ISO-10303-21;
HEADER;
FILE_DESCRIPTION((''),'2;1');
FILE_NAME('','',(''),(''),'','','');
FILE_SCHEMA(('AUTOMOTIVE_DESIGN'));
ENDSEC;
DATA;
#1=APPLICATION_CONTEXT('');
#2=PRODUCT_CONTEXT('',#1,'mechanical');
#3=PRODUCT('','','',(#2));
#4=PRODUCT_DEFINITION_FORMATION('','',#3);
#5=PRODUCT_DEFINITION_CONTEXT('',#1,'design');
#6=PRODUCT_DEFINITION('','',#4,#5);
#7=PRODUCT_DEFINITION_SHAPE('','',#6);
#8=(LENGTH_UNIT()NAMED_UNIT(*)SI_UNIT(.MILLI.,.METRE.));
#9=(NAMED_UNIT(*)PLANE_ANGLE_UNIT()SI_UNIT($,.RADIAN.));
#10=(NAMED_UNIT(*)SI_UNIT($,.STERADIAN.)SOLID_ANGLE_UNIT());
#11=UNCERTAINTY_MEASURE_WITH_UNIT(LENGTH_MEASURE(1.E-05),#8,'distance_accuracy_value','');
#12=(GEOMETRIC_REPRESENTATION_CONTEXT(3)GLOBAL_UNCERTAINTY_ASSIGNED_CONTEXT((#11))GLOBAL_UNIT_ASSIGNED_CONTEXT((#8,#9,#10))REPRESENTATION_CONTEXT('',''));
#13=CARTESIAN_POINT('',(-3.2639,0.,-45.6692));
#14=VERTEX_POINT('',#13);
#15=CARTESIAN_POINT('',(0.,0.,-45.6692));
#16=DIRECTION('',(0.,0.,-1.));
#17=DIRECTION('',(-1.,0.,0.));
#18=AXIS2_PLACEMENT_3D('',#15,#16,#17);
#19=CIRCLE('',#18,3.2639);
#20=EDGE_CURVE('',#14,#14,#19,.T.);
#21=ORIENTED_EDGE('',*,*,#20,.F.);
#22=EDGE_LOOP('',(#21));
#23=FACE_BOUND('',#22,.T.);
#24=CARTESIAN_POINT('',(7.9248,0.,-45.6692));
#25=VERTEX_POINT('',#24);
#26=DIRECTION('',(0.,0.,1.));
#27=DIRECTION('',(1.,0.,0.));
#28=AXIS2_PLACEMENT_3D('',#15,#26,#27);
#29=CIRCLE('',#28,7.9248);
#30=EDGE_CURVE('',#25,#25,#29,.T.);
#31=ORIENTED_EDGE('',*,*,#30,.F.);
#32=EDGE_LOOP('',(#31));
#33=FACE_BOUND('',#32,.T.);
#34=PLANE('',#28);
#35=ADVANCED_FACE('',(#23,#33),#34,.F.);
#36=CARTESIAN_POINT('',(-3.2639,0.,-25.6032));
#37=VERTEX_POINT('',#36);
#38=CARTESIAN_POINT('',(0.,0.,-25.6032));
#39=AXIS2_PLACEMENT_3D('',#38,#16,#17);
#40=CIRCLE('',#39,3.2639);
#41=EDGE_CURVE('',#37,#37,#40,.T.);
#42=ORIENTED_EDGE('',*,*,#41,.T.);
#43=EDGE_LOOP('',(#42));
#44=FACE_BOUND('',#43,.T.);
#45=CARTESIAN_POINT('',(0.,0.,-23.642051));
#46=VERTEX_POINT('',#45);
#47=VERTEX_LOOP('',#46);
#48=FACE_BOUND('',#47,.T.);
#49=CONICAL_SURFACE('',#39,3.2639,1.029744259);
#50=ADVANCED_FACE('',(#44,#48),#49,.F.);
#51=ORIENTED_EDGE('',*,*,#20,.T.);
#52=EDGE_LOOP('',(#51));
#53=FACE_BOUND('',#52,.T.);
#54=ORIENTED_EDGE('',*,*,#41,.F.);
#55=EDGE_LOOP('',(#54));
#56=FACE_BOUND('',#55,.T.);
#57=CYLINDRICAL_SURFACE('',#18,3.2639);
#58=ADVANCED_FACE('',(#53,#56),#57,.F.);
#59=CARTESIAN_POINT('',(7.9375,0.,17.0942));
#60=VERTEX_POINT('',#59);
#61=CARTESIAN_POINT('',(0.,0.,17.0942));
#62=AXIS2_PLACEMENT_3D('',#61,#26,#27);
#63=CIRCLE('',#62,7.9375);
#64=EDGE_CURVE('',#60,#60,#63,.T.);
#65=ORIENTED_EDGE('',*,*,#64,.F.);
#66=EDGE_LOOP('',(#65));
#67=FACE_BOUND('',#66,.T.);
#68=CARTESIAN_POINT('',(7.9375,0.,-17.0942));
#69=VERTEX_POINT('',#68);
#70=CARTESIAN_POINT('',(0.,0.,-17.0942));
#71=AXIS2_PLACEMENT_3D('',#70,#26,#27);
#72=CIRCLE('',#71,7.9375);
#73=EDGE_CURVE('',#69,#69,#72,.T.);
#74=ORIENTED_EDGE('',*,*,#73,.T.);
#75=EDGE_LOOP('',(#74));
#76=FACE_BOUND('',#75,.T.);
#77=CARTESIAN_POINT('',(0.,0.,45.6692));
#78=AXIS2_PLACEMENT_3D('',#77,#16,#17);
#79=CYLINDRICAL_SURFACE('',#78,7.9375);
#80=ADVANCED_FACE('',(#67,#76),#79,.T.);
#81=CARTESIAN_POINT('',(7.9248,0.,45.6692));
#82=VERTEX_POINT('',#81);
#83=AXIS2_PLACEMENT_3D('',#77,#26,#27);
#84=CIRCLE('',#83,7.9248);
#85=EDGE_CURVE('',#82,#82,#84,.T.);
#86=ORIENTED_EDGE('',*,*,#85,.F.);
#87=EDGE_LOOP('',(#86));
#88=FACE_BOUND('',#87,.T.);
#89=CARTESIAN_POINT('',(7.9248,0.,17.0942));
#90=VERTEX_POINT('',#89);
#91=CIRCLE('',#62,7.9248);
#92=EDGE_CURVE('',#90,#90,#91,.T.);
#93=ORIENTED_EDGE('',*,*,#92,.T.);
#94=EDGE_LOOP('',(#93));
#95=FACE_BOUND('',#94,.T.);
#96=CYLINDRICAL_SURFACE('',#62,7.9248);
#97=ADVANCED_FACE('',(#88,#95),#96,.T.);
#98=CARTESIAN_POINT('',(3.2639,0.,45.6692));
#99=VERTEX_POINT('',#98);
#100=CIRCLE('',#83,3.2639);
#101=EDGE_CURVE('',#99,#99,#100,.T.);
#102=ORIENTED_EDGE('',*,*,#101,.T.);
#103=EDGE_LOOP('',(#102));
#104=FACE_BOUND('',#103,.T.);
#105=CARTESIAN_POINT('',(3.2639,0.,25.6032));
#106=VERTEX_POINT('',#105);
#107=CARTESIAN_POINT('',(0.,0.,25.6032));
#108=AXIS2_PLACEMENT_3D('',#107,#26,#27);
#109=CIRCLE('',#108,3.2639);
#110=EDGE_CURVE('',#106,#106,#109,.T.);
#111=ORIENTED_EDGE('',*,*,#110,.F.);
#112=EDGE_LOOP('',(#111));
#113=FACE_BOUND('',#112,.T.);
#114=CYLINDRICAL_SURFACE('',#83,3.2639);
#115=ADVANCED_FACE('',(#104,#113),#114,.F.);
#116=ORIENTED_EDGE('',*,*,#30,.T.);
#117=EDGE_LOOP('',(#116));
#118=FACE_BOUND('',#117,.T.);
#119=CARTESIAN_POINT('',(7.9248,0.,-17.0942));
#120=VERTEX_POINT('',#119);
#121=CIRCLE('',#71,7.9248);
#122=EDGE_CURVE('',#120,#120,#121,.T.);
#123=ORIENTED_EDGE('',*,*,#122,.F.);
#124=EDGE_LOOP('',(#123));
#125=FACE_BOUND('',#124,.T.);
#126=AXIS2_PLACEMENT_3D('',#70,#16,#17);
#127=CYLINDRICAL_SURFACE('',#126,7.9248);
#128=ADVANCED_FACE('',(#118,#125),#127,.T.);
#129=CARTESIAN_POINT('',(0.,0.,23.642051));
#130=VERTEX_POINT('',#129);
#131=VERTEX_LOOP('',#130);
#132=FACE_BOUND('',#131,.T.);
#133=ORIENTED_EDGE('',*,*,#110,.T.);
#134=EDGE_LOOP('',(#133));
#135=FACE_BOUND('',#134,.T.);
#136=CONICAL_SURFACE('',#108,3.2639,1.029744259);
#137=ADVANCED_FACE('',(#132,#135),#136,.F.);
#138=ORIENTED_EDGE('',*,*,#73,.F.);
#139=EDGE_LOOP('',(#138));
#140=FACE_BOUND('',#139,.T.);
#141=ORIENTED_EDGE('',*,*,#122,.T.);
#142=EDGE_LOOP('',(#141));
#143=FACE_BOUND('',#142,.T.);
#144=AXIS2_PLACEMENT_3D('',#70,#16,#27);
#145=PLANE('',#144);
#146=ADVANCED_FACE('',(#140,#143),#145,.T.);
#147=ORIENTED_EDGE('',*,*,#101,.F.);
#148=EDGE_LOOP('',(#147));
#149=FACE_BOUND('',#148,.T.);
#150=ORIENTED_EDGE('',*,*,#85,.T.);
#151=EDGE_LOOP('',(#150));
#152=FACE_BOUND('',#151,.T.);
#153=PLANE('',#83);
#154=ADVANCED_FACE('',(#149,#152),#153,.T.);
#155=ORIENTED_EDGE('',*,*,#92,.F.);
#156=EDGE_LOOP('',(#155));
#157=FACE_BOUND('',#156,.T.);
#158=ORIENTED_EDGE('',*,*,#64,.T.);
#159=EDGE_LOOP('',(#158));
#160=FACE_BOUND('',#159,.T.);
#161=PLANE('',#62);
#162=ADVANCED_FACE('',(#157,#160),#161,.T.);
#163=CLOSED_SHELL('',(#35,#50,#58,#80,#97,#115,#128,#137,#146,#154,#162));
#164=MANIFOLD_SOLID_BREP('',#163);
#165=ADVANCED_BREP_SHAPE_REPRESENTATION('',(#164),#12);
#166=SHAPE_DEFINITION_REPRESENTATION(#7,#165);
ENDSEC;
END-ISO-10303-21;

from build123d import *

# Parameters (mm, degrees)
SKETCH1_R                    = 7.9375
EXTRUDE1_DEPTH               = 45.6692
F_5_16_18_TAPPED_HOLE1_D     = 6.5278
F_5_16_18_TAPPED_HOLE1_DEPTH = 20.066
F_5_16_18_TAPPED_HOLE1_TIP   = 1.961148974
F_5_16_18_TAPPED_HOLE2_D     = 6.5278
F_5_16_18_TAPPED_HOLE2_DEPTH = 20.066
F_5_16_18_TAPPED_HOLE2_TIP   = 1.961148974
SKETCH6_R                    = 7.9375
SKETCH6_R_2                  = 7.9248
CUT_EXTRUDE1_DEPTH           = 28.575


with BuildPart() as part:
    # Sketch1 → Extrude1 (new body, symmetric)
    with BuildSketch(Plane.XY):
        Circle(SKETCH1_R)
    extrude(amount=EXTRUDE1_DEPTH, both=True)

    # 5/16-18 Tapped Hole1
    with Locations(Plane.XY.offset(45.6692)):
        with Locations((0, 0)):
            Hole(F_5_16_18_TAPPED_HOLE1_D / 2, depth=F_5_16_18_TAPPED_HOLE1_DEPTH)
            with Locations((0, 0, -(F_5_16_18_TAPPED_HOLE1_DEPTH + F_5_16_18_TAPPED_HOLE1_TIP / 2))):  # 118° drill point
                Cone(0, F_5_16_18_TAPPED_HOLE1_D / 2, F_5_16_18_TAPPED_HOLE1_TIP, mode=Mode.SUBTRACT)

    # 5/16-18 Tapped Hole2
    with Locations(Plane(origin=(0, 0, -45.6692), x_dir=(-1, 0, 0), z_dir=(0, 0, -1))):
        with Locations((0, 0)):
            Hole(F_5_16_18_TAPPED_HOLE2_D / 2, depth=F_5_16_18_TAPPED_HOLE2_DEPTH)
            with Locations((0, 0, -(F_5_16_18_TAPPED_HOLE2_DEPTH + F_5_16_18_TAPPED_HOLE2_TIP / 2))):  # 118° drill point
                Cone(0, F_5_16_18_TAPPED_HOLE2_D / 2, F_5_16_18_TAPPED_HOLE2_TIP, mode=Mode.SUBTRACT)

    # Sketch6 → Cut-Extrude1 (cut)
    with BuildSketch(Plane.XY.offset(45.6692)):
        Circle(SKETCH6_R)
        Circle(SKETCH6_R_2, mode=Mode.SUBTRACT)
    cut_extrude1 = extrude(amount=-CUT_EXTRUDE1_DEPTH, mode=Mode.SUBTRACT)

    # Mirror1: Cut-Extrude1 across plane
    add(cut_extrude1.mirror(Plane.XY), mode=Mode.SUBTRACT)


solid = part.part
